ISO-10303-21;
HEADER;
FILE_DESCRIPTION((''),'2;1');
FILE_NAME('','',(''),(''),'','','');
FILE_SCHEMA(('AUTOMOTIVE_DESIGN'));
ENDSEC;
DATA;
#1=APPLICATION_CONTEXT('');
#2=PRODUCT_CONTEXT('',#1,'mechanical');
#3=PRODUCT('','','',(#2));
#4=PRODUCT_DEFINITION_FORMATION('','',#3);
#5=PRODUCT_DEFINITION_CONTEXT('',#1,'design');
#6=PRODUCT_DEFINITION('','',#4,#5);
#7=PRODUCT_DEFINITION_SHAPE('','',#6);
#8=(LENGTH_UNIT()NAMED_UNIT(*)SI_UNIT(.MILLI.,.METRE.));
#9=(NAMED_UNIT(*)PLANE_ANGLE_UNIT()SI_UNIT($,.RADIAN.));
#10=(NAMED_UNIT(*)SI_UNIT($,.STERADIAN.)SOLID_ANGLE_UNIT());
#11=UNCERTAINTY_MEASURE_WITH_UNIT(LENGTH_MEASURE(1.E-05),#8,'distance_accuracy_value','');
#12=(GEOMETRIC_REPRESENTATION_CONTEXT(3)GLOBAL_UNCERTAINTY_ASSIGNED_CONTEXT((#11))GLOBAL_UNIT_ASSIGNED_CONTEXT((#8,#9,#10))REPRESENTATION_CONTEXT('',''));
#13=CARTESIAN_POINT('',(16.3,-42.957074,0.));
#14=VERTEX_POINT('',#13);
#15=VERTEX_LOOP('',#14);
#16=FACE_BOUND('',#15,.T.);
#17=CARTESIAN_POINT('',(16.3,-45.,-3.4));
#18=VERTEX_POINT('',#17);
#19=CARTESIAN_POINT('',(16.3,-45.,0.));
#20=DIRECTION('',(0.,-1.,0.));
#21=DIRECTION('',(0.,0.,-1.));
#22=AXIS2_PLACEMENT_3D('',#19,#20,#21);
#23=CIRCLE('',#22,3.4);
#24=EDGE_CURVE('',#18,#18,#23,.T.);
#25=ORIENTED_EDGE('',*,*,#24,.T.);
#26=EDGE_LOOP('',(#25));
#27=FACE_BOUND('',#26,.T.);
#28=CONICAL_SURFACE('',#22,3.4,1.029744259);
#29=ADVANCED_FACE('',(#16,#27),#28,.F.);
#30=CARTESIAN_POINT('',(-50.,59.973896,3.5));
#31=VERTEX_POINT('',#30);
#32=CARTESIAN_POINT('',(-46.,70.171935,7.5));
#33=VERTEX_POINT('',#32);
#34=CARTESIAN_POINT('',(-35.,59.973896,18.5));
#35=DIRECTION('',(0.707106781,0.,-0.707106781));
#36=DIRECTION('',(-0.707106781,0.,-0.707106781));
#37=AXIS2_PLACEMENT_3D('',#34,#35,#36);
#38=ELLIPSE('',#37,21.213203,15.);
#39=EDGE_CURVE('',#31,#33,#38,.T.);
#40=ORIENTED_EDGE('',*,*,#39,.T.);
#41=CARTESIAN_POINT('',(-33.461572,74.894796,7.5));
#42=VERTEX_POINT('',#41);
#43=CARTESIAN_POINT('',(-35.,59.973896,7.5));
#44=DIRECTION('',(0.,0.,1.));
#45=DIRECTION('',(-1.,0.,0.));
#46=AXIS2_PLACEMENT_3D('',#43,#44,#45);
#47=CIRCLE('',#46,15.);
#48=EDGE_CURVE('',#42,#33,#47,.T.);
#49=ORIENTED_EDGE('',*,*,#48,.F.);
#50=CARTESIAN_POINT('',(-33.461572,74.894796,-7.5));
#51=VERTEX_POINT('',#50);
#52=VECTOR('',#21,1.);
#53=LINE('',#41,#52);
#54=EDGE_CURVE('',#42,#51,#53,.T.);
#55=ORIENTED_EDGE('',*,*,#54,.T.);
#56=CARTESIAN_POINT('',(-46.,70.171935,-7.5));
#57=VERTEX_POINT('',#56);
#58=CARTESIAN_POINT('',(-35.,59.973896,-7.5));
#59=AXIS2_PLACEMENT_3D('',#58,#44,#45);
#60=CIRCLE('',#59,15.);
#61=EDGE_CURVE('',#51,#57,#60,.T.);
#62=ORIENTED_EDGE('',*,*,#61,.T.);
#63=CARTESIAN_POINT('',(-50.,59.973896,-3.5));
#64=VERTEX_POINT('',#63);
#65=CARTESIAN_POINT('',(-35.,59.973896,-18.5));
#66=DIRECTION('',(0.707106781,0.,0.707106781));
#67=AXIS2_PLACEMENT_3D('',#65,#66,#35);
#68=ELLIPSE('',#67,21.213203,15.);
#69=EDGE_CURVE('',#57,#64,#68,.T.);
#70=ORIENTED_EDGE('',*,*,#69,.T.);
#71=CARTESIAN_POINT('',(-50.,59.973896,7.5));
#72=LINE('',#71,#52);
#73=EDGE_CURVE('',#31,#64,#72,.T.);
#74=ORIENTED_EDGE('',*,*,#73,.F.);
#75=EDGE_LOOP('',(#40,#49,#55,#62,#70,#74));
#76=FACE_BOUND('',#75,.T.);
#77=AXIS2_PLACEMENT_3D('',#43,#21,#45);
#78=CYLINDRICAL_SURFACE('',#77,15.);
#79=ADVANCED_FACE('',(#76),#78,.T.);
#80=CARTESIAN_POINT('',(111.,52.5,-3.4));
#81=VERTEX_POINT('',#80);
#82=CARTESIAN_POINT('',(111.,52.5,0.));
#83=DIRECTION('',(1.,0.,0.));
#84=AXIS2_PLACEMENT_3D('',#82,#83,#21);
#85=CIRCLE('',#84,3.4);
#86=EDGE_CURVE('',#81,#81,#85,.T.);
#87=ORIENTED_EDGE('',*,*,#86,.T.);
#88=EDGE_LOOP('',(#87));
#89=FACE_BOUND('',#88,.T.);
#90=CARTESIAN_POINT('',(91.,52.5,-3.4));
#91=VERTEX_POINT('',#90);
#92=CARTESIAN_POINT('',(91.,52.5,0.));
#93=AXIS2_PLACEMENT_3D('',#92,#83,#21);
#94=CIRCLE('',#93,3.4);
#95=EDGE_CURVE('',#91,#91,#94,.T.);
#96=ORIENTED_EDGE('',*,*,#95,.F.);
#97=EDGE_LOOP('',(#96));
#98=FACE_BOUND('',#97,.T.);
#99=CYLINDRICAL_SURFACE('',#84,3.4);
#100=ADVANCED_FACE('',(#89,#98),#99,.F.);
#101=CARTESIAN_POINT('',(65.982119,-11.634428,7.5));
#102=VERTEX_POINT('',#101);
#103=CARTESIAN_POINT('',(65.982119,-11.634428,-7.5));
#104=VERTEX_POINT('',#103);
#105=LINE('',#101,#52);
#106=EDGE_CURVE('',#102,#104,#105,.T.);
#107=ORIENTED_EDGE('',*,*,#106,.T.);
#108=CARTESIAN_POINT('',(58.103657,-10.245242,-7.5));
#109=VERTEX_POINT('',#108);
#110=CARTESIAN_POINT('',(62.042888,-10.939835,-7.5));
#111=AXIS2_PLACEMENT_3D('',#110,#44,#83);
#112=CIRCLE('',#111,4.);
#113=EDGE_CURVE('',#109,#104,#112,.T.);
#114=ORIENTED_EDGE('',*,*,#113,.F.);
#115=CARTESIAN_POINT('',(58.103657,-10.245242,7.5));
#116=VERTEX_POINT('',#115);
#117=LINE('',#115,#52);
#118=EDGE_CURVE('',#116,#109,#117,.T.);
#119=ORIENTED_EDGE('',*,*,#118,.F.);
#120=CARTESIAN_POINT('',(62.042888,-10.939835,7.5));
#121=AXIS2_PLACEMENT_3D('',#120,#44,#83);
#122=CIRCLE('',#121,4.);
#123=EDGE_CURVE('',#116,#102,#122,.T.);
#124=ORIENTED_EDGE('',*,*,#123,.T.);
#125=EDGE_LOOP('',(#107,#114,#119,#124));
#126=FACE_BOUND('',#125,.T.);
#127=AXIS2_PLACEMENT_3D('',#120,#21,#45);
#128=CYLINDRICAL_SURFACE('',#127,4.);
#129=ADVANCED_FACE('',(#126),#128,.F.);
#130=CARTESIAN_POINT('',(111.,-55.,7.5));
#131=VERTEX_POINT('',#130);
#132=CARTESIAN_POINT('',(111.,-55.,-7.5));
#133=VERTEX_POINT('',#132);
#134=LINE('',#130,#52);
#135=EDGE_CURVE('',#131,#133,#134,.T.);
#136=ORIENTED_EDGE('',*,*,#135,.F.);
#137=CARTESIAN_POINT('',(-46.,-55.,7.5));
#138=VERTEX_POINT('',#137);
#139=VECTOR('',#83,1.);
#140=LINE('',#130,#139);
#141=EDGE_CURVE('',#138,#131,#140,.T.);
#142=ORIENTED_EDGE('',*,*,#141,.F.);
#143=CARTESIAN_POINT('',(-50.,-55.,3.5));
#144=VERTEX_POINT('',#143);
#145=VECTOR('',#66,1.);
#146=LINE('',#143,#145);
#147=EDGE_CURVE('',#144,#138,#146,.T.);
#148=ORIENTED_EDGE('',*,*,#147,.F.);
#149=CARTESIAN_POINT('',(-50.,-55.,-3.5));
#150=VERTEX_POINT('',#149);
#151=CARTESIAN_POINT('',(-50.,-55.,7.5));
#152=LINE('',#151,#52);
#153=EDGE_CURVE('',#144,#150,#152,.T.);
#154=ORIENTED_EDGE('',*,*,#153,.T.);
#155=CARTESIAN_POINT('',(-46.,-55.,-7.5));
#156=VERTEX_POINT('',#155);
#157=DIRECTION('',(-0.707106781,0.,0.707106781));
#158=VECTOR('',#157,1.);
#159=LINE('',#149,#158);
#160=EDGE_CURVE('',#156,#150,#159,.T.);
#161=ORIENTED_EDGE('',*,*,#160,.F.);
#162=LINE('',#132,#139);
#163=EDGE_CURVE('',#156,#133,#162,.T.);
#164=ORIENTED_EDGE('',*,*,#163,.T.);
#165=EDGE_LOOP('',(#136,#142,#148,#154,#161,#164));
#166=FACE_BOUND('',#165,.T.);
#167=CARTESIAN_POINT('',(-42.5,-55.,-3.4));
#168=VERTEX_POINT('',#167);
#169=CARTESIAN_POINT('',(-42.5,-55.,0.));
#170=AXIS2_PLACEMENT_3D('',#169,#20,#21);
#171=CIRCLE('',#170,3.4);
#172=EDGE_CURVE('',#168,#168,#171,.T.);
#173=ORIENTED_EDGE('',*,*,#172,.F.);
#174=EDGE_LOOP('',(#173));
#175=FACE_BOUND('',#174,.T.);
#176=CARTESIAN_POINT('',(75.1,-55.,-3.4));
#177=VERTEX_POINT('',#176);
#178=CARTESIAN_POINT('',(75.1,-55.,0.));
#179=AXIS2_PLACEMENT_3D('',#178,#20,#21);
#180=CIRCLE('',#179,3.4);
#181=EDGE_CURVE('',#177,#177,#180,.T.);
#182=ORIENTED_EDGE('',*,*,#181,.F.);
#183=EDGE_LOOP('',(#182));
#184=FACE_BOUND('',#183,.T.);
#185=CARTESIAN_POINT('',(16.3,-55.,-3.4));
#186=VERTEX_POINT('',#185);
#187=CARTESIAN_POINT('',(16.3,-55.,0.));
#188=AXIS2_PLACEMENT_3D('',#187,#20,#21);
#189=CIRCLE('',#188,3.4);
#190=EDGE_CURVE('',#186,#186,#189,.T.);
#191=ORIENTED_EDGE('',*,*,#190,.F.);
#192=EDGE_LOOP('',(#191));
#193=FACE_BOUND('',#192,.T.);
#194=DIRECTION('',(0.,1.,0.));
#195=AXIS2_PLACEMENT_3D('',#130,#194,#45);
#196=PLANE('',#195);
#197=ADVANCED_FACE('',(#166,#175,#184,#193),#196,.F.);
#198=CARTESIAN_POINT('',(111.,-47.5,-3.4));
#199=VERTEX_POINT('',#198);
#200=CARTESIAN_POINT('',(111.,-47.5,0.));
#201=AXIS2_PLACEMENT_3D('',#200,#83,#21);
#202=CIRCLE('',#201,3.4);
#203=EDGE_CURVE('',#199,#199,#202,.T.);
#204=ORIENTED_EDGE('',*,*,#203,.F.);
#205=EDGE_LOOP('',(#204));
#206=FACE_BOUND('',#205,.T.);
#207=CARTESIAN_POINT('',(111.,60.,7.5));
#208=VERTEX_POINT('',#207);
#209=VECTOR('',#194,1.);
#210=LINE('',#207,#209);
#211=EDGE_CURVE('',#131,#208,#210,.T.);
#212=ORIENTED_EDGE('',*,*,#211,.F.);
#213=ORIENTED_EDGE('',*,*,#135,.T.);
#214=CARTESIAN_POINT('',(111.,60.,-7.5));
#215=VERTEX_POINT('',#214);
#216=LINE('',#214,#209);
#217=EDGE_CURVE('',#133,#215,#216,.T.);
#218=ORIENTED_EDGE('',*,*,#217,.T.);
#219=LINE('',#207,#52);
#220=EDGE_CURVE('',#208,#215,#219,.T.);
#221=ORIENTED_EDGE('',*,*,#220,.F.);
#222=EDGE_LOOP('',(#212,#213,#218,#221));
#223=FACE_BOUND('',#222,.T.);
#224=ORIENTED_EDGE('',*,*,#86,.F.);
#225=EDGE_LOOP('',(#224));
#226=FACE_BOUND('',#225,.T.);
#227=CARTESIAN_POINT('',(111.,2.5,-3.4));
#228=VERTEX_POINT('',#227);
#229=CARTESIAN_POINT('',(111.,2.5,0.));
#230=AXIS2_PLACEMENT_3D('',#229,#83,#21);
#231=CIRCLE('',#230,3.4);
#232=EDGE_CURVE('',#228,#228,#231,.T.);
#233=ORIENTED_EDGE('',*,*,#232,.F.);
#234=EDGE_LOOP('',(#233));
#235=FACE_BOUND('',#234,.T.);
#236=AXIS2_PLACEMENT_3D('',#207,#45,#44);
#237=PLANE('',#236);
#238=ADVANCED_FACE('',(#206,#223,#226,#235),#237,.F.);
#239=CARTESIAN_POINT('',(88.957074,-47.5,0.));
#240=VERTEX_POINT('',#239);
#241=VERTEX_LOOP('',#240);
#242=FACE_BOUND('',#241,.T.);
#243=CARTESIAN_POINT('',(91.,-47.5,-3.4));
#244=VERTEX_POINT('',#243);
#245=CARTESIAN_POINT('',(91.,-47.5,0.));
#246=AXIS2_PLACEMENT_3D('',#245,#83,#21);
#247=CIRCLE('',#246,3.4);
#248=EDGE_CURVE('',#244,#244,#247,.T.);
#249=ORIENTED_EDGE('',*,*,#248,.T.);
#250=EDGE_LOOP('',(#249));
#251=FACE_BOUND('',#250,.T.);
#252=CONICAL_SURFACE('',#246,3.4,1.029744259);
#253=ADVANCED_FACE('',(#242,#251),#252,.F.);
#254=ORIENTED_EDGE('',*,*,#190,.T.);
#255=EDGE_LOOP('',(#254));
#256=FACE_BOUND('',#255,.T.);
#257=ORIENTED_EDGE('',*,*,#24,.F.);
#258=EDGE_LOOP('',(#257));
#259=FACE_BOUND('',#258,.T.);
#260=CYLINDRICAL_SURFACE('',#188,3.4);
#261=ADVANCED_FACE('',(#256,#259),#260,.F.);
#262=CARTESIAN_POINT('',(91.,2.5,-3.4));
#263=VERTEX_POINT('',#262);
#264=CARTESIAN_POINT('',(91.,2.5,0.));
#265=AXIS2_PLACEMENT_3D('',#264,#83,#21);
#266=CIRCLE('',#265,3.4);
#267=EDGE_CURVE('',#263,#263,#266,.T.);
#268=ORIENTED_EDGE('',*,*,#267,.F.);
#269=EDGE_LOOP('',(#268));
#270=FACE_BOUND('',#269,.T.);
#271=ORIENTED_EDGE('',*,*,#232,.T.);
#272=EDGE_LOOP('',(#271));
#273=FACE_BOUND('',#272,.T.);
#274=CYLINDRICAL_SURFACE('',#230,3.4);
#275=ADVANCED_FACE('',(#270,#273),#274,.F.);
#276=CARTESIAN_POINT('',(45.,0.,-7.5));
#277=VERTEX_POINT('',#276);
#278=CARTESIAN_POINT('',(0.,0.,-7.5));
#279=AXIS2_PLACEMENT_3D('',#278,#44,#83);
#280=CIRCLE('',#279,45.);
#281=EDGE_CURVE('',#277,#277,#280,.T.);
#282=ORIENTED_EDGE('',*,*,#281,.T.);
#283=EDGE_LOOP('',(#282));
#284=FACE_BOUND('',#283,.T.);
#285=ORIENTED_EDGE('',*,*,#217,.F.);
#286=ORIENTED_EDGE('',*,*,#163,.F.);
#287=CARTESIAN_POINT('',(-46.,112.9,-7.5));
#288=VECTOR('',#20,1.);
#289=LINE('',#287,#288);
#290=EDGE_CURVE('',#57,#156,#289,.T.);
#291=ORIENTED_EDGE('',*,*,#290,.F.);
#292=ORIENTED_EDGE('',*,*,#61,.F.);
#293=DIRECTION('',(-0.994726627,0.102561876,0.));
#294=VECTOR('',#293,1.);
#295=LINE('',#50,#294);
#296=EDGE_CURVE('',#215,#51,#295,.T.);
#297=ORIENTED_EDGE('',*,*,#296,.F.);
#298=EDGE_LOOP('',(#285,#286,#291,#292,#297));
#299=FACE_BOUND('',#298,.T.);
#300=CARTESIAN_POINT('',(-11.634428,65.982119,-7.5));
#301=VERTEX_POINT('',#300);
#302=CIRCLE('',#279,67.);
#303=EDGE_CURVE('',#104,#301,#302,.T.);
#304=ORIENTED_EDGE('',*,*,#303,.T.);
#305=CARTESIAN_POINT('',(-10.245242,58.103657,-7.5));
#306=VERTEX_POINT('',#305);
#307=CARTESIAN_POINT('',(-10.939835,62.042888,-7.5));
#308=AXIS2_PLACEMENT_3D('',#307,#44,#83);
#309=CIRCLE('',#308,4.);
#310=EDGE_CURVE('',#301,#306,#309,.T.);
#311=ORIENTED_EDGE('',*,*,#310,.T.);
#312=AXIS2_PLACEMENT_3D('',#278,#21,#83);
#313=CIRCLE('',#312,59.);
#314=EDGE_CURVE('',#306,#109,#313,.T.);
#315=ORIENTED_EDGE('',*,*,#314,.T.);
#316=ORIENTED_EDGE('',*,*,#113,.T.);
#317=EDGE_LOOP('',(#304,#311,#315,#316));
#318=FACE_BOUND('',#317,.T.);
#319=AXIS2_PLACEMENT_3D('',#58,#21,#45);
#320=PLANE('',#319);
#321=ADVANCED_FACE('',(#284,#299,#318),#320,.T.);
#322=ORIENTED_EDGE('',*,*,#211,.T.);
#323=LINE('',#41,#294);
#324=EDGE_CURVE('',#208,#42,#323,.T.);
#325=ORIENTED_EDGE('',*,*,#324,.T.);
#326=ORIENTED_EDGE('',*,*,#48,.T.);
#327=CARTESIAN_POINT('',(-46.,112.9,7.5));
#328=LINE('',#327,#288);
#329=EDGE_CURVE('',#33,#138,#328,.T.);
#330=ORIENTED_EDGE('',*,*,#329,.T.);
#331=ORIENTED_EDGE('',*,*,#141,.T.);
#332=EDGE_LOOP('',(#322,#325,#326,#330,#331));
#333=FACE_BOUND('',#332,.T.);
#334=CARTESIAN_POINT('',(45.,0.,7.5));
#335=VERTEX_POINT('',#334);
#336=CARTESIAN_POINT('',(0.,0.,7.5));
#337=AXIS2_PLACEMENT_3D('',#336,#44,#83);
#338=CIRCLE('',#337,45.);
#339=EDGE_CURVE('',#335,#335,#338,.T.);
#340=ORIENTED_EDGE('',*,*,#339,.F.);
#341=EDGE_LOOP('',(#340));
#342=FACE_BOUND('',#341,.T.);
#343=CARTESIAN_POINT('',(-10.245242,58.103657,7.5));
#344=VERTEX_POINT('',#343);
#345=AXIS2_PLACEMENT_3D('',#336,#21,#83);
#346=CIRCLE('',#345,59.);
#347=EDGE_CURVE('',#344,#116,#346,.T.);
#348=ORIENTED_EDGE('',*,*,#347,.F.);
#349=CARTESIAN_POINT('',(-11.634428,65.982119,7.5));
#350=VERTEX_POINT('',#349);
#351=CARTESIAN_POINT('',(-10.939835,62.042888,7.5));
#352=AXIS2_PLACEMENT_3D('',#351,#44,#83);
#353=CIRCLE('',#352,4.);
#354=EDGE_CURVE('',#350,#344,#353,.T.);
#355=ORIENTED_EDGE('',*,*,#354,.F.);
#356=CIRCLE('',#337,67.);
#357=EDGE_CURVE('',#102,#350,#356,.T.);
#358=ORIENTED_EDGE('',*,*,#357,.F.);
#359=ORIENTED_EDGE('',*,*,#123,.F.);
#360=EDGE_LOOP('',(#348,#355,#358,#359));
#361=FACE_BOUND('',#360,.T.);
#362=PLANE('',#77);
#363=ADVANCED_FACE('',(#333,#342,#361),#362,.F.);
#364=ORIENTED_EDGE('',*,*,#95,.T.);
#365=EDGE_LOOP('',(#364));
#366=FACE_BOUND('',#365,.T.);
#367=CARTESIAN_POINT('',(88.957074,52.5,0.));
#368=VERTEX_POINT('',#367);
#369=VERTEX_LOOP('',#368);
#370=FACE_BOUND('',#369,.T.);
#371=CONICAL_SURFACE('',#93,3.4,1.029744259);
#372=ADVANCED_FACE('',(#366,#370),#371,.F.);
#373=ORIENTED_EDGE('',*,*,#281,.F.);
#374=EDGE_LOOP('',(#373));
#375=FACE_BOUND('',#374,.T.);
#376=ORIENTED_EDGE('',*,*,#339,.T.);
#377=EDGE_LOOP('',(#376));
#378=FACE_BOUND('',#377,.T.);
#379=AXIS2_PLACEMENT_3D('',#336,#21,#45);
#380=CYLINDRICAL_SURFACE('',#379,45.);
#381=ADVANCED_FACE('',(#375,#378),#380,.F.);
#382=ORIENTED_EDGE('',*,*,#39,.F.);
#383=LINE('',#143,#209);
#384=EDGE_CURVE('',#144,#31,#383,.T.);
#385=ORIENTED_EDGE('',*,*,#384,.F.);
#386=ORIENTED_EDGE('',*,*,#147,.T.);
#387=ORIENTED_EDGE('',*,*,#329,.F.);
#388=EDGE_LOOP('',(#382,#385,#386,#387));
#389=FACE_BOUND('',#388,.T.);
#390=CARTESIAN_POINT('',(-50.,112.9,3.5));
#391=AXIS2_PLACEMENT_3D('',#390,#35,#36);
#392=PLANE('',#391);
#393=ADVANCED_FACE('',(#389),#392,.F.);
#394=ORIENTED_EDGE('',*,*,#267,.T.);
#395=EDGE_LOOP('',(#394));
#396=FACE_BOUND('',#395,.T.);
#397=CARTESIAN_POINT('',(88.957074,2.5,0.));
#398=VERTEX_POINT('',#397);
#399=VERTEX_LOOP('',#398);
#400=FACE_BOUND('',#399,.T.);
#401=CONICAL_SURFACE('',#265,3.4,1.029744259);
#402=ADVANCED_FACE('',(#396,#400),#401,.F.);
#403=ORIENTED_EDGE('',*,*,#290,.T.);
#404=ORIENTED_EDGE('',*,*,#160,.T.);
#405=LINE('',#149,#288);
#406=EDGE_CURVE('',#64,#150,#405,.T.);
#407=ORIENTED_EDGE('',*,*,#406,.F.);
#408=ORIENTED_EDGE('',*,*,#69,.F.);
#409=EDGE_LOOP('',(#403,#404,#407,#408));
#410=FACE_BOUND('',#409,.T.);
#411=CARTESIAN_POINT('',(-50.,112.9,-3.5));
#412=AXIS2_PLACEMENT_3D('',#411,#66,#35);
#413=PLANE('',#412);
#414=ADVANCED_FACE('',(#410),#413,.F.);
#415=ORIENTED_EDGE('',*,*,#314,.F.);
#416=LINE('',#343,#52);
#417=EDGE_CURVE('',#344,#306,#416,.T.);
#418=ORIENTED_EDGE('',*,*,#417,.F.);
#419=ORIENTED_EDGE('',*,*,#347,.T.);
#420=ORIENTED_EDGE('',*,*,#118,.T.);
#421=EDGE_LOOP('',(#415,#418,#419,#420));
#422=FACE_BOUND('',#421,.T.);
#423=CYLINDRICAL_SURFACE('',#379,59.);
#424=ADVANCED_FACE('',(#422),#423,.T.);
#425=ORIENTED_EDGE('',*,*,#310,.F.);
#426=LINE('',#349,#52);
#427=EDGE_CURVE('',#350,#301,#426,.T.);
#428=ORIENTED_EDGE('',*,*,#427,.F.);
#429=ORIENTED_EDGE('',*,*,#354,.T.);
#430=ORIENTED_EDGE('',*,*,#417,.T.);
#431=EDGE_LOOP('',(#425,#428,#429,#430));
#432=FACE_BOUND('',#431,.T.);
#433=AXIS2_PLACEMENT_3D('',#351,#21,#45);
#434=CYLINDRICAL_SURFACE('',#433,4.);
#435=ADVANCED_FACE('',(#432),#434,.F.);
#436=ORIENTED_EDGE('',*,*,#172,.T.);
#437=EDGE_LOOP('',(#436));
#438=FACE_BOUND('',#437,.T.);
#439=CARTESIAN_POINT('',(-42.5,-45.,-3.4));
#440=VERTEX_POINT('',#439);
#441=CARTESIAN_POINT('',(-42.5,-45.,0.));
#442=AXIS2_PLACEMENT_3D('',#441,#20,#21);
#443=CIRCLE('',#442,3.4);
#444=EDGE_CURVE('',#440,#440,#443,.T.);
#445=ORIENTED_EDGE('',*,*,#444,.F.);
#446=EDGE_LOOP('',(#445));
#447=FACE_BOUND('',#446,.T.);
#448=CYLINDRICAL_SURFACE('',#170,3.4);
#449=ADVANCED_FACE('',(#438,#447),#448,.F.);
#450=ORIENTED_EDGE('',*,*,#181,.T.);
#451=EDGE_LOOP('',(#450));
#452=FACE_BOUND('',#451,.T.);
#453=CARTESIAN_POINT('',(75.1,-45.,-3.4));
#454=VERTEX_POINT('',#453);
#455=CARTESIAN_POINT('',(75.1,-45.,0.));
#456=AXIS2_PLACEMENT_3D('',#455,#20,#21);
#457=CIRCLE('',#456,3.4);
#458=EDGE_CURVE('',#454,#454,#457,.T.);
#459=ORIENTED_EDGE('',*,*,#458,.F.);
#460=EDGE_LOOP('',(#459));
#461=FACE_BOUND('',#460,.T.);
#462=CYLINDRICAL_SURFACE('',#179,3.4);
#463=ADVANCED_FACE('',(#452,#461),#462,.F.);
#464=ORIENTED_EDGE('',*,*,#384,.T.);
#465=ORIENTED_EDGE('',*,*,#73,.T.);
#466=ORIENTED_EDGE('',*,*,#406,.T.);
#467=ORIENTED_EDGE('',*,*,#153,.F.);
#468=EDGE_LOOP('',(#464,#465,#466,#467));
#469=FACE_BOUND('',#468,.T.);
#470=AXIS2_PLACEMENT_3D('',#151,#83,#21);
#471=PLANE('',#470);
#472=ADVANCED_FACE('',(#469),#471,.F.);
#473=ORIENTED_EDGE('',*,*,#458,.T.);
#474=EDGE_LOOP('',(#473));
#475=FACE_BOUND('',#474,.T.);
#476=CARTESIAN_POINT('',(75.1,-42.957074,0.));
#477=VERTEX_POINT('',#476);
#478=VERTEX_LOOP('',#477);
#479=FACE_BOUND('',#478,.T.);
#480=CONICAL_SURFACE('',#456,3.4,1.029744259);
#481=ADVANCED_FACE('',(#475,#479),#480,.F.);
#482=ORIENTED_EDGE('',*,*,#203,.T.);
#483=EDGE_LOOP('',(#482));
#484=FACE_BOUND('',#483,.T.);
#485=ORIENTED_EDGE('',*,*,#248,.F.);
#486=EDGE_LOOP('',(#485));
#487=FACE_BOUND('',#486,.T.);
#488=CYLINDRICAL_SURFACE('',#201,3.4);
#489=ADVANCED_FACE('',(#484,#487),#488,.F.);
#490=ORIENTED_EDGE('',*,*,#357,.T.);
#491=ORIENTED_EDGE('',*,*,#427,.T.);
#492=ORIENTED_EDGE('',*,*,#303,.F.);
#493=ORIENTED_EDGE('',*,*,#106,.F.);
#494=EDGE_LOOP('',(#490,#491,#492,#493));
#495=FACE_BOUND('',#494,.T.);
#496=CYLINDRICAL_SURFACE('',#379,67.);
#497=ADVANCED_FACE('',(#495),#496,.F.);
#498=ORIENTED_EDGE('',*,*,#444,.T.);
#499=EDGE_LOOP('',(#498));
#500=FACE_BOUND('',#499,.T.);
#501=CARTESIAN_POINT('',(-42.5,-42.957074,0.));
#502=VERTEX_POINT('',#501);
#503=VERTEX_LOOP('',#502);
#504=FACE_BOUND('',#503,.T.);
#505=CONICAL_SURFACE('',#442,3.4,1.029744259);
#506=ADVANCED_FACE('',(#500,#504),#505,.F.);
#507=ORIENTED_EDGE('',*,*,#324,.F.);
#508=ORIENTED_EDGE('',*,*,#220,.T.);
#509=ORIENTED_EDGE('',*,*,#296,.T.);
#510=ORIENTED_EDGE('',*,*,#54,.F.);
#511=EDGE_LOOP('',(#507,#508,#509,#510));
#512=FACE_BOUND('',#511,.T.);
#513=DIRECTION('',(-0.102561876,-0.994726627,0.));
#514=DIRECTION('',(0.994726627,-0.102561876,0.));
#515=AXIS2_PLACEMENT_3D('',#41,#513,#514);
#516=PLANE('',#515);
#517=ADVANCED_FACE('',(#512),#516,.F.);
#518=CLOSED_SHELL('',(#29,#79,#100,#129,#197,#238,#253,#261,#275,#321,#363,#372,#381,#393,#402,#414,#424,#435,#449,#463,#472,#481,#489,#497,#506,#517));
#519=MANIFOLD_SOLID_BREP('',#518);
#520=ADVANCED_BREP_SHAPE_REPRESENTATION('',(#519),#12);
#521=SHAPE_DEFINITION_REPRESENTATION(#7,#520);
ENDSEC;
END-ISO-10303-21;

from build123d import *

# Parameters (mm, degrees)
CROQUIS1_R                = 45
SALIENTE_EXTRUIR1_DEPTH   = 7.5
TALADRO_ROSCADO_M81_D     = 6.8
TALADRO_ROSCADO_M81_DEPTH = 20
TALADRO_ROSCADO_M81_TIP   = 2.042926105
TALADRO_ROSCADO_M82_D     = 6.8
TALADRO_ROSCADO_M82_DEPTH = 10
TALADRO_ROSCADO_M82_TIP   = 2.042926105
CORTAR_EXTRUIR1_DEPTH     = 167.9


with BuildPart() as part:
    # Croquis1 → Saliente-Extruir1 (new body, symmetric)
    with BuildSketch(Plane.XY):
        with BuildLine():
            Line((-50, -55), (-50, 59.973896209))
            ThreePointArc((-50, 59.973896209), (-45.047974372, 71.111140529), (-33.461571863, 74.894795608))
            Line((-33.461571863, 74.894795608), (111, 60))
            Line((111, 60), (111, -55))
            Line((111, -55), (-50, -55))
        make_face()
        Circle(CROQUIS1_R, mode=Mode.SUBTRACT)
        with BuildLine():
            ThreePointArc((65.982119452, -11.634427904), (47.376154339, 47.376154339), (-11.634427904, 65.982119452))
            ThreePointArc((-11.634427904, 65.982119452), (-14.879066205, 61.348295729), (-10.245242482, 58.103657428))
            ThreePointArc((-10.245242482, 58.103657428), (41.71930009, 41.71930009), (58.103657428, -10.245242482))
            ThreePointArc((58.103657428, -10.245242482), (61.348295729, -14.879066205), (65.982119452, -11.634427904))
        make_face(mode=Mode.SUBTRACT)
    extrude(amount=SALIENTE_EXTRUIR1_DEPTH, both=True)

    # Taladro roscado M81
    with Locations(Plane(origin=(111, 0, 0), x_dir=(0, 0, -1), z_dir=(1, 0, 0))):
        with Locations((0, 52.5), (0, 2.5), (0, -47.5)):
            Hole(TALADRO_ROSCADO_M81_D / 2, depth=TALADRO_ROSCADO_M81_DEPTH)
            with Locations((0, 0, -(TALADRO_ROSCADO_M81_DEPTH + TALADRO_ROSCADO_M81_TIP / 2))):  # 118° drill point
                Cone(0, TALADRO_ROSCADO_M81_D / 2, TALADRO_ROSCADO_M81_TIP, mode=Mode.SUBTRACT)

    # Taladro roscado M82
    with Locations(Plane.XZ.offset(55)):
        with Locations((-42.5, 0), (16.3, 0), (75.1, 0)):
            Hole(TALADRO_ROSCADO_M82_D / 2, depth=TALADRO_ROSCADO_M82_DEPTH)
            with Locations((0, 0, -(TALADRO_ROSCADO_M82_DEPTH + TALADRO_ROSCADO_M82_TIP / 2))):  # 118° drill point
                Cone(0, TALADRO_ROSCADO_M82_D / 2, TALADRO_ROSCADO_M82_TIP, mode=Mode.SUBTRACT)

    # Croquis7 → Cortar-Extruir1 (cut)
    with BuildSketch(Plane.XZ.offset(55)):
        Polygon((-50, 7.5), (-50, 3.5), (-46, 7.5), align=None)
        Polygon((-50, -7.5), (-50, -3.5), (-46, -7.5), align=None)
    extrude(amount=-CORTAR_EXTRUIR1_DEPTH, mode=Mode.SUBTRACT)


solid = part.part
